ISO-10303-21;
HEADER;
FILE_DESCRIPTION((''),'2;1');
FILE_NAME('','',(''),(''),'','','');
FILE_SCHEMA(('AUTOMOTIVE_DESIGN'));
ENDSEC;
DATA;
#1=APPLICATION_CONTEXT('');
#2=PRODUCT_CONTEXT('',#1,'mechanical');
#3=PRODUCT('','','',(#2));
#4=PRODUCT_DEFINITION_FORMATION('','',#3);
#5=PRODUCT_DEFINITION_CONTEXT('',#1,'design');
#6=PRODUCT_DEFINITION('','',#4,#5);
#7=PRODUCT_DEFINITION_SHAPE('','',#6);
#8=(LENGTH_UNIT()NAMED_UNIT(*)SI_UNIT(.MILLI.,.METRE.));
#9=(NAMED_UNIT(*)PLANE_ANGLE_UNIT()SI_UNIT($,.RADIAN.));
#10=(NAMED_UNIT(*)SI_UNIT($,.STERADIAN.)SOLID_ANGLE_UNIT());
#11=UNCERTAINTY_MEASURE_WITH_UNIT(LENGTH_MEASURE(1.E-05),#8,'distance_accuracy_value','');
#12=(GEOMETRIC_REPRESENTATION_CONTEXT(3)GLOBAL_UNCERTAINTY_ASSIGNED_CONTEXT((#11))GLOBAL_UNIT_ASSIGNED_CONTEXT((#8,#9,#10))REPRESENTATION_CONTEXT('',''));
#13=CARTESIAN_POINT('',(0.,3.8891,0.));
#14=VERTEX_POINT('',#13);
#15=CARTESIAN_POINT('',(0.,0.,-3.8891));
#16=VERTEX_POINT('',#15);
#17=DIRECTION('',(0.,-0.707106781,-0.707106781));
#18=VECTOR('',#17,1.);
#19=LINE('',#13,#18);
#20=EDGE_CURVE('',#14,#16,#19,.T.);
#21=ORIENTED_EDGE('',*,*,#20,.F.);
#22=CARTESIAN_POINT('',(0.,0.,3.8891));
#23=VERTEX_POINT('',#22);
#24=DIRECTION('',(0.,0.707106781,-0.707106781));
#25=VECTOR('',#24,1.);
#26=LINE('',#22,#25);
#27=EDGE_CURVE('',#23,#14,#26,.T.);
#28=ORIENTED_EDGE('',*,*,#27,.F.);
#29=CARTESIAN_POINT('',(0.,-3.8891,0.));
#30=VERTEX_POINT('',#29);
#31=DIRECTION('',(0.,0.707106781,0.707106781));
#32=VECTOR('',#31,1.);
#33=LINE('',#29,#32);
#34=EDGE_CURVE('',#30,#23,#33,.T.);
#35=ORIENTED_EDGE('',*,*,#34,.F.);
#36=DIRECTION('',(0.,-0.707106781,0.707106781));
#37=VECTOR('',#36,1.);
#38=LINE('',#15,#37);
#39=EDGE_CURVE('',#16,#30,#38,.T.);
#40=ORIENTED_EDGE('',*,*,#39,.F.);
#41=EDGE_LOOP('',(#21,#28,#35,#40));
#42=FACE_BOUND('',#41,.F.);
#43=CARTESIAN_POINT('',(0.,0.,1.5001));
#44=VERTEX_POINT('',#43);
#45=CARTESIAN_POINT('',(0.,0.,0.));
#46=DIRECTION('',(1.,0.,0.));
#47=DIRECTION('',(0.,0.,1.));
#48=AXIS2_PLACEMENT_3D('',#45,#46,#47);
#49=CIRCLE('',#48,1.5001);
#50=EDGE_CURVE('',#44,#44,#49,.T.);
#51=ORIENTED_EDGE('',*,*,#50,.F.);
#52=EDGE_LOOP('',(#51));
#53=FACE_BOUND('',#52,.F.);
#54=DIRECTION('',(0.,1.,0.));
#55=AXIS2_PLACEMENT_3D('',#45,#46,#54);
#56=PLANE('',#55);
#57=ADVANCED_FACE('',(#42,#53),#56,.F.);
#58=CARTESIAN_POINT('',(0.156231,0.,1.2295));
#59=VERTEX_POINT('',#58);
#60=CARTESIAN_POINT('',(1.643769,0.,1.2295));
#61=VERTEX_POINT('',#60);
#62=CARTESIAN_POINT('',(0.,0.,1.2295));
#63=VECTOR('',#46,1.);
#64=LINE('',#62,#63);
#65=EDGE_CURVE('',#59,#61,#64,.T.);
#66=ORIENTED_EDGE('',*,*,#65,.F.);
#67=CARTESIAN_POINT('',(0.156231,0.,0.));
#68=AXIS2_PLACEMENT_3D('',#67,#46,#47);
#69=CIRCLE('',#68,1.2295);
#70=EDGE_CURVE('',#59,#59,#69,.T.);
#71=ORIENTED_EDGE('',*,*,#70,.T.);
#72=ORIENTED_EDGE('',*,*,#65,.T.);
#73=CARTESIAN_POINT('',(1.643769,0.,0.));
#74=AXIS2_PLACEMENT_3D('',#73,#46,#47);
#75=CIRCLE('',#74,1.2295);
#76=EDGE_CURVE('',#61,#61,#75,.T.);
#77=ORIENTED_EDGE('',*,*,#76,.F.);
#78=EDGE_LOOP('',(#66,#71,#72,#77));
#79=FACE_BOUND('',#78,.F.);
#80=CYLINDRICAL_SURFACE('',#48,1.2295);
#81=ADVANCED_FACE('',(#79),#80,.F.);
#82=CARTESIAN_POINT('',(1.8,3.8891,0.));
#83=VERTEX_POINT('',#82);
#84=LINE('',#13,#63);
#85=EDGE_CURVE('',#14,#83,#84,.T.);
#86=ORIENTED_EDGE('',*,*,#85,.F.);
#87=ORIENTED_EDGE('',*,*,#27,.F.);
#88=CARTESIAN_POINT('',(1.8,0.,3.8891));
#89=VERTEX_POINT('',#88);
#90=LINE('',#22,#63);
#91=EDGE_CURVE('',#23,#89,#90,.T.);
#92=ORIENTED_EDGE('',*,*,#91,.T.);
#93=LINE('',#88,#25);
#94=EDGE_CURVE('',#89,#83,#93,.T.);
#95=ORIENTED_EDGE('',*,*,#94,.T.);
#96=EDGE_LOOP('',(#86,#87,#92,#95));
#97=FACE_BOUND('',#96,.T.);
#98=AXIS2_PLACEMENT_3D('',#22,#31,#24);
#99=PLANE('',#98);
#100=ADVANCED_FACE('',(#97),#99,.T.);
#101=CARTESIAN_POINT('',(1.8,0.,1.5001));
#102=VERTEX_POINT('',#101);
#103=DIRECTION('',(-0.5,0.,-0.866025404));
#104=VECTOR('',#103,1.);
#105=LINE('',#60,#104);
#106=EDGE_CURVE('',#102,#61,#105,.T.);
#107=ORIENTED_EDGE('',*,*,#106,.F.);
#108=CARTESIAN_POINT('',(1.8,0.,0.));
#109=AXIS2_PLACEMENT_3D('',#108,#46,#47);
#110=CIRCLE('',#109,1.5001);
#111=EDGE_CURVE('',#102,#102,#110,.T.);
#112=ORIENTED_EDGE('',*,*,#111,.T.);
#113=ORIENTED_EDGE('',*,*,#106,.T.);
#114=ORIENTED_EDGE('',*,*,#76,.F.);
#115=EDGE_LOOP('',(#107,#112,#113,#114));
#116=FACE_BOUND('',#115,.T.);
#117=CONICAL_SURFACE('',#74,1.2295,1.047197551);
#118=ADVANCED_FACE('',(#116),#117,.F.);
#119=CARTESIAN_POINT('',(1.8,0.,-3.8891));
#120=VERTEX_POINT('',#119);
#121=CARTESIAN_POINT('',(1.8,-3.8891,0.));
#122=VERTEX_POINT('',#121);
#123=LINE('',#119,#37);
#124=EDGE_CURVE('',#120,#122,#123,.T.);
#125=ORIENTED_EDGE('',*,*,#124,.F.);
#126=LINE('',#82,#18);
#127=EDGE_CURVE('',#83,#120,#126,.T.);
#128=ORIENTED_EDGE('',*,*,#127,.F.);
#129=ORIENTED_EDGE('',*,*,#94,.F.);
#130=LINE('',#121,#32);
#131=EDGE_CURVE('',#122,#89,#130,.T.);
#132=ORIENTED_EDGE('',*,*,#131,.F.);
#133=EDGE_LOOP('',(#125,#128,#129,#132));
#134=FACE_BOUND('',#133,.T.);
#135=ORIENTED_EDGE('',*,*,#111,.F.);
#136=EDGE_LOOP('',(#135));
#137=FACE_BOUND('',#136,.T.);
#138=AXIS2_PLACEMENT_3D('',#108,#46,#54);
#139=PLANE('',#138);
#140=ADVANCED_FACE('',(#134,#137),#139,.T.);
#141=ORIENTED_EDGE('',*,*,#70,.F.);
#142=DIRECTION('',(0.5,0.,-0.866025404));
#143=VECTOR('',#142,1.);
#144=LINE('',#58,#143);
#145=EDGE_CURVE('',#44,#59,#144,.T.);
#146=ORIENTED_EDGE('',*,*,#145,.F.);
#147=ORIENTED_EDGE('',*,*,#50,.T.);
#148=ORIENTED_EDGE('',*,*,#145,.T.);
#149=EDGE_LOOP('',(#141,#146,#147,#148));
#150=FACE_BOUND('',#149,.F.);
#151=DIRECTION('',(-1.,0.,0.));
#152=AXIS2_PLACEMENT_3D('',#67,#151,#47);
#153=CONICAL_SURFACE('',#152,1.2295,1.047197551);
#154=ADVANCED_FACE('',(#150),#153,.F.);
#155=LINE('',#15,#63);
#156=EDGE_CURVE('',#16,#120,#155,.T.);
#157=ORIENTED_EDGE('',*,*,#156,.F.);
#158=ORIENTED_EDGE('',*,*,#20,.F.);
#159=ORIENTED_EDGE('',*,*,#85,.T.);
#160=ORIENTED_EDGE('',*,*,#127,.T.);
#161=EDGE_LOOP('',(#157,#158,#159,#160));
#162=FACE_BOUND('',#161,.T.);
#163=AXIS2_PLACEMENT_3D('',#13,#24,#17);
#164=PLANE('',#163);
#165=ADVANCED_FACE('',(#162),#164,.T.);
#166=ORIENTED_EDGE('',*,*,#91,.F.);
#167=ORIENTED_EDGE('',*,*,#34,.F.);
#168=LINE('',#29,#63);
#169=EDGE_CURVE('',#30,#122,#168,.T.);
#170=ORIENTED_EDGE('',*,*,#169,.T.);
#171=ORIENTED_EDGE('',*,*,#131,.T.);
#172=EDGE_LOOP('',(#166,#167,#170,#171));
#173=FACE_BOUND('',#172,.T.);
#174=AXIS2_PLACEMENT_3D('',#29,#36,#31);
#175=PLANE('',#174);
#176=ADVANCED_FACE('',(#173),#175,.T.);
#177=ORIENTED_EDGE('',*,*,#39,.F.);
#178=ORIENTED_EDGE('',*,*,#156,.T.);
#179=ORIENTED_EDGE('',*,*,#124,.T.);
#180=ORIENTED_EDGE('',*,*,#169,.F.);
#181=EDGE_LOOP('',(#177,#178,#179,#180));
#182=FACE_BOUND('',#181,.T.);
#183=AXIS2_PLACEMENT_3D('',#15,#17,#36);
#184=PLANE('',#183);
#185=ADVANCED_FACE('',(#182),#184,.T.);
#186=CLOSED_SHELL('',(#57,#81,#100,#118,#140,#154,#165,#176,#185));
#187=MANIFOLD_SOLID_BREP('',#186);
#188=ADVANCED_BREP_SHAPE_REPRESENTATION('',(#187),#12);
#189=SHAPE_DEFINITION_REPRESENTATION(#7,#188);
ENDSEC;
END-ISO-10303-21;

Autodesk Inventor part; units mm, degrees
ref_plane "YZ Plane" through (0, 0, 0) normal (1, 0, 0) x (0, 1, 0)
ref_plane "XZ Plane" through (0, 0, 0) normal (0, 1, 0) x (-1, 0, 0)
sketch "Skizze1" plane through (0, 0, 0) normal (1, 0, 0) x (0, 1, 0)
  line L0 (0, -3.8891) -> (-3.8891, 0)
  line L1 (-3.8891, 0) -> (0, 3.8891)
  line L2 (0, 3.8891) -> (3.8891, 0)
  line L3 (3.8891, 0) -> (0, -3.8891)
  line L4 (-5.4447, 0) -> (5.4447, 0) projected
  point P0 (0, 0)
  point P1 (0, 0)
  dimension "d0" = 7.7782
extrude "Körper" add sketch "Skizze1" along normal blind 1.8
sketch "Skizze2" plane through (0, 0, 0) normal (-1, 0, 0) x (0, 0, 1)
  point P0 (0, 0)
  point P1 (0, 0)
hole "Gewinde" at (0, 0, 0) direction (1, 0, 0) diameter 2.459 end through all thread size "M3x0.5" class "6H" standard "ISO Metric profile"
chamfer "Fase1" distance 0.2706 angle 30 1 edges at (0, 0, -1.2295) measured on face at (0, -1.5681, 1.6031)
chamfer "Fase2" distance 0.2706 angle 30 1 edges at (1.8, 0, -1.2295) measured on face at (1.8, -1.5681, 1.6031)
ref_plane "Work Plane1" through (11.1463, 0, 0) normal (0, 0.7071, -0.7071) x (-1, 0, 0)
equation "\"d0\" = 1.41421 * SW"
equation "\"d1\" = KOH"
equation "\"d3\" = -0.5 * GD1 + 0.5 * NND"
equation "\"d35\" = -0.5 * GD1 + 0.5 * NND"
equation "\"d5\" = -0.5 * GD1 + 0.5 * NND"
equation "\"d36\" = -0.5 * GD1 + 0.5 * NND"
equation "\"NND\" = 3"
equation "\"KOH\" = 1.8"
equation "\"SW\" = 5.5"
equation "\"GUL\" = 0.541266 * PTC"
equation "\"THREADDIA\" = 3"
equation "\"TOA\" = 30deg"
equation "\"PTC\" = 0.5"
equation "\"E0\" = 7"
equation "\"GAL\" = 0.541266 * PTC"
equation "\"GD1\" = 2.458734"
properties part number "DIN 562 - M3" material "Stahl, weich"
